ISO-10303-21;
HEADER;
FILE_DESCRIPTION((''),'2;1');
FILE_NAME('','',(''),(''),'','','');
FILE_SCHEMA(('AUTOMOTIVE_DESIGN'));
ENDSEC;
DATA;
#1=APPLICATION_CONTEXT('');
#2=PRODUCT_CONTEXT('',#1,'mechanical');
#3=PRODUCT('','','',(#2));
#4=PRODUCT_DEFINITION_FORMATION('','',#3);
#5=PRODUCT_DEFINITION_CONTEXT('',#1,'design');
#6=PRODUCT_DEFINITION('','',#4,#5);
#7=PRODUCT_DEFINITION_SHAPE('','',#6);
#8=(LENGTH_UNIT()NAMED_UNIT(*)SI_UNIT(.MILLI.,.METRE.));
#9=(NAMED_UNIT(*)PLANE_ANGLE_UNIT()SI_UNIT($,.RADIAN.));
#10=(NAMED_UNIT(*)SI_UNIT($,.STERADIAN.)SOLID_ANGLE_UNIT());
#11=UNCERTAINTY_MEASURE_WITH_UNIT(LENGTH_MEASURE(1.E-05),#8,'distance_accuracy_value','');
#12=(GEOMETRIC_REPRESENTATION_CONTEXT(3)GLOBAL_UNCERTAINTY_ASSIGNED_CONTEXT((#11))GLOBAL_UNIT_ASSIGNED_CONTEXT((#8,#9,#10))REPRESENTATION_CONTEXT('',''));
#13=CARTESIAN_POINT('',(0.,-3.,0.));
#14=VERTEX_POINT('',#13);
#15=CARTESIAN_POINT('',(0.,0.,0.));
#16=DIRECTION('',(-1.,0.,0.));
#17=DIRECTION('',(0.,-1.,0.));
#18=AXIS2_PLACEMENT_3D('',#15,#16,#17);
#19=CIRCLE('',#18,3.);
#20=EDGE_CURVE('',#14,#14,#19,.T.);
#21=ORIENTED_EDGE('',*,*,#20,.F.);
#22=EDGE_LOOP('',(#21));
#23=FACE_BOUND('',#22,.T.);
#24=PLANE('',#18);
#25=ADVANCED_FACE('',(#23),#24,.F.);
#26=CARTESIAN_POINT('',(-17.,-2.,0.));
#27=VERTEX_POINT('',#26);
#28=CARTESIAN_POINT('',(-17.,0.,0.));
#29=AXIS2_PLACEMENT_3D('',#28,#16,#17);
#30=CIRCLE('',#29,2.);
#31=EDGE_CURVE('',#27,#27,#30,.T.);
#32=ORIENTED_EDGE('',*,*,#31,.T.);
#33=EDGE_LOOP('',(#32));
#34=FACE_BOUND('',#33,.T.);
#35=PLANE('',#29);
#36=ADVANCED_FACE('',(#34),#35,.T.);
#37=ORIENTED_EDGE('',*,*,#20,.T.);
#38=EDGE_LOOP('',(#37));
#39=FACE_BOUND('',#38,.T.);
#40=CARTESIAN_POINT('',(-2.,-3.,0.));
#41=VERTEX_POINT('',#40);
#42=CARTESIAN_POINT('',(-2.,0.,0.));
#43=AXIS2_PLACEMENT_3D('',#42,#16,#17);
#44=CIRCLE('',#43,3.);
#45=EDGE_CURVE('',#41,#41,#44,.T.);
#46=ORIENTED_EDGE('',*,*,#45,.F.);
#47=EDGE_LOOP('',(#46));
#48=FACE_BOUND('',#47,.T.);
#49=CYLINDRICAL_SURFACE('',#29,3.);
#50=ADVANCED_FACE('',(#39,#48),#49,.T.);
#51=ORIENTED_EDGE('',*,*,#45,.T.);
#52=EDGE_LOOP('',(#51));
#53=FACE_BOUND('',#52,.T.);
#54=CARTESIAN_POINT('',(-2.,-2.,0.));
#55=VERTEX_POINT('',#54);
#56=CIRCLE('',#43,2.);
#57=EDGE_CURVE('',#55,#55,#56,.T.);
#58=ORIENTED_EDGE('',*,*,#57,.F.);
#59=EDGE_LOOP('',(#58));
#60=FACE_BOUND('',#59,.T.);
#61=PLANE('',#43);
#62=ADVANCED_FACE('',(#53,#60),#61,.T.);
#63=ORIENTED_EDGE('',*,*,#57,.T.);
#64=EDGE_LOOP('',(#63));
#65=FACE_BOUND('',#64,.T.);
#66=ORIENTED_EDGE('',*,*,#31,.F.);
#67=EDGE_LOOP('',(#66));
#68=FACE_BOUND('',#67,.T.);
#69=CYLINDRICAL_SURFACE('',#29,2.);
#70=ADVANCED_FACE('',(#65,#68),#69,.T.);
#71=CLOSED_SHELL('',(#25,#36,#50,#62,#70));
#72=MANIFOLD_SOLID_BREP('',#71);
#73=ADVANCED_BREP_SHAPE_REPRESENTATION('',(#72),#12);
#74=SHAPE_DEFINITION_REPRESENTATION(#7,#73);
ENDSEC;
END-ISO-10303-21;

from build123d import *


with BuildPart() as part:
    # Sketch1 → Revolve1 (revolve)
    with BuildSketch(Plane.XY):
        Polygon((-4.296296296, 0), (0, 0), (0, 2), (0, 3), (-2, 3), (-2, 2), (-17, 2), (-17, 0), align=None)
    revolve(axis=Axis((-17, 0, 0), (1, 0, 0)))


solid = part.part
